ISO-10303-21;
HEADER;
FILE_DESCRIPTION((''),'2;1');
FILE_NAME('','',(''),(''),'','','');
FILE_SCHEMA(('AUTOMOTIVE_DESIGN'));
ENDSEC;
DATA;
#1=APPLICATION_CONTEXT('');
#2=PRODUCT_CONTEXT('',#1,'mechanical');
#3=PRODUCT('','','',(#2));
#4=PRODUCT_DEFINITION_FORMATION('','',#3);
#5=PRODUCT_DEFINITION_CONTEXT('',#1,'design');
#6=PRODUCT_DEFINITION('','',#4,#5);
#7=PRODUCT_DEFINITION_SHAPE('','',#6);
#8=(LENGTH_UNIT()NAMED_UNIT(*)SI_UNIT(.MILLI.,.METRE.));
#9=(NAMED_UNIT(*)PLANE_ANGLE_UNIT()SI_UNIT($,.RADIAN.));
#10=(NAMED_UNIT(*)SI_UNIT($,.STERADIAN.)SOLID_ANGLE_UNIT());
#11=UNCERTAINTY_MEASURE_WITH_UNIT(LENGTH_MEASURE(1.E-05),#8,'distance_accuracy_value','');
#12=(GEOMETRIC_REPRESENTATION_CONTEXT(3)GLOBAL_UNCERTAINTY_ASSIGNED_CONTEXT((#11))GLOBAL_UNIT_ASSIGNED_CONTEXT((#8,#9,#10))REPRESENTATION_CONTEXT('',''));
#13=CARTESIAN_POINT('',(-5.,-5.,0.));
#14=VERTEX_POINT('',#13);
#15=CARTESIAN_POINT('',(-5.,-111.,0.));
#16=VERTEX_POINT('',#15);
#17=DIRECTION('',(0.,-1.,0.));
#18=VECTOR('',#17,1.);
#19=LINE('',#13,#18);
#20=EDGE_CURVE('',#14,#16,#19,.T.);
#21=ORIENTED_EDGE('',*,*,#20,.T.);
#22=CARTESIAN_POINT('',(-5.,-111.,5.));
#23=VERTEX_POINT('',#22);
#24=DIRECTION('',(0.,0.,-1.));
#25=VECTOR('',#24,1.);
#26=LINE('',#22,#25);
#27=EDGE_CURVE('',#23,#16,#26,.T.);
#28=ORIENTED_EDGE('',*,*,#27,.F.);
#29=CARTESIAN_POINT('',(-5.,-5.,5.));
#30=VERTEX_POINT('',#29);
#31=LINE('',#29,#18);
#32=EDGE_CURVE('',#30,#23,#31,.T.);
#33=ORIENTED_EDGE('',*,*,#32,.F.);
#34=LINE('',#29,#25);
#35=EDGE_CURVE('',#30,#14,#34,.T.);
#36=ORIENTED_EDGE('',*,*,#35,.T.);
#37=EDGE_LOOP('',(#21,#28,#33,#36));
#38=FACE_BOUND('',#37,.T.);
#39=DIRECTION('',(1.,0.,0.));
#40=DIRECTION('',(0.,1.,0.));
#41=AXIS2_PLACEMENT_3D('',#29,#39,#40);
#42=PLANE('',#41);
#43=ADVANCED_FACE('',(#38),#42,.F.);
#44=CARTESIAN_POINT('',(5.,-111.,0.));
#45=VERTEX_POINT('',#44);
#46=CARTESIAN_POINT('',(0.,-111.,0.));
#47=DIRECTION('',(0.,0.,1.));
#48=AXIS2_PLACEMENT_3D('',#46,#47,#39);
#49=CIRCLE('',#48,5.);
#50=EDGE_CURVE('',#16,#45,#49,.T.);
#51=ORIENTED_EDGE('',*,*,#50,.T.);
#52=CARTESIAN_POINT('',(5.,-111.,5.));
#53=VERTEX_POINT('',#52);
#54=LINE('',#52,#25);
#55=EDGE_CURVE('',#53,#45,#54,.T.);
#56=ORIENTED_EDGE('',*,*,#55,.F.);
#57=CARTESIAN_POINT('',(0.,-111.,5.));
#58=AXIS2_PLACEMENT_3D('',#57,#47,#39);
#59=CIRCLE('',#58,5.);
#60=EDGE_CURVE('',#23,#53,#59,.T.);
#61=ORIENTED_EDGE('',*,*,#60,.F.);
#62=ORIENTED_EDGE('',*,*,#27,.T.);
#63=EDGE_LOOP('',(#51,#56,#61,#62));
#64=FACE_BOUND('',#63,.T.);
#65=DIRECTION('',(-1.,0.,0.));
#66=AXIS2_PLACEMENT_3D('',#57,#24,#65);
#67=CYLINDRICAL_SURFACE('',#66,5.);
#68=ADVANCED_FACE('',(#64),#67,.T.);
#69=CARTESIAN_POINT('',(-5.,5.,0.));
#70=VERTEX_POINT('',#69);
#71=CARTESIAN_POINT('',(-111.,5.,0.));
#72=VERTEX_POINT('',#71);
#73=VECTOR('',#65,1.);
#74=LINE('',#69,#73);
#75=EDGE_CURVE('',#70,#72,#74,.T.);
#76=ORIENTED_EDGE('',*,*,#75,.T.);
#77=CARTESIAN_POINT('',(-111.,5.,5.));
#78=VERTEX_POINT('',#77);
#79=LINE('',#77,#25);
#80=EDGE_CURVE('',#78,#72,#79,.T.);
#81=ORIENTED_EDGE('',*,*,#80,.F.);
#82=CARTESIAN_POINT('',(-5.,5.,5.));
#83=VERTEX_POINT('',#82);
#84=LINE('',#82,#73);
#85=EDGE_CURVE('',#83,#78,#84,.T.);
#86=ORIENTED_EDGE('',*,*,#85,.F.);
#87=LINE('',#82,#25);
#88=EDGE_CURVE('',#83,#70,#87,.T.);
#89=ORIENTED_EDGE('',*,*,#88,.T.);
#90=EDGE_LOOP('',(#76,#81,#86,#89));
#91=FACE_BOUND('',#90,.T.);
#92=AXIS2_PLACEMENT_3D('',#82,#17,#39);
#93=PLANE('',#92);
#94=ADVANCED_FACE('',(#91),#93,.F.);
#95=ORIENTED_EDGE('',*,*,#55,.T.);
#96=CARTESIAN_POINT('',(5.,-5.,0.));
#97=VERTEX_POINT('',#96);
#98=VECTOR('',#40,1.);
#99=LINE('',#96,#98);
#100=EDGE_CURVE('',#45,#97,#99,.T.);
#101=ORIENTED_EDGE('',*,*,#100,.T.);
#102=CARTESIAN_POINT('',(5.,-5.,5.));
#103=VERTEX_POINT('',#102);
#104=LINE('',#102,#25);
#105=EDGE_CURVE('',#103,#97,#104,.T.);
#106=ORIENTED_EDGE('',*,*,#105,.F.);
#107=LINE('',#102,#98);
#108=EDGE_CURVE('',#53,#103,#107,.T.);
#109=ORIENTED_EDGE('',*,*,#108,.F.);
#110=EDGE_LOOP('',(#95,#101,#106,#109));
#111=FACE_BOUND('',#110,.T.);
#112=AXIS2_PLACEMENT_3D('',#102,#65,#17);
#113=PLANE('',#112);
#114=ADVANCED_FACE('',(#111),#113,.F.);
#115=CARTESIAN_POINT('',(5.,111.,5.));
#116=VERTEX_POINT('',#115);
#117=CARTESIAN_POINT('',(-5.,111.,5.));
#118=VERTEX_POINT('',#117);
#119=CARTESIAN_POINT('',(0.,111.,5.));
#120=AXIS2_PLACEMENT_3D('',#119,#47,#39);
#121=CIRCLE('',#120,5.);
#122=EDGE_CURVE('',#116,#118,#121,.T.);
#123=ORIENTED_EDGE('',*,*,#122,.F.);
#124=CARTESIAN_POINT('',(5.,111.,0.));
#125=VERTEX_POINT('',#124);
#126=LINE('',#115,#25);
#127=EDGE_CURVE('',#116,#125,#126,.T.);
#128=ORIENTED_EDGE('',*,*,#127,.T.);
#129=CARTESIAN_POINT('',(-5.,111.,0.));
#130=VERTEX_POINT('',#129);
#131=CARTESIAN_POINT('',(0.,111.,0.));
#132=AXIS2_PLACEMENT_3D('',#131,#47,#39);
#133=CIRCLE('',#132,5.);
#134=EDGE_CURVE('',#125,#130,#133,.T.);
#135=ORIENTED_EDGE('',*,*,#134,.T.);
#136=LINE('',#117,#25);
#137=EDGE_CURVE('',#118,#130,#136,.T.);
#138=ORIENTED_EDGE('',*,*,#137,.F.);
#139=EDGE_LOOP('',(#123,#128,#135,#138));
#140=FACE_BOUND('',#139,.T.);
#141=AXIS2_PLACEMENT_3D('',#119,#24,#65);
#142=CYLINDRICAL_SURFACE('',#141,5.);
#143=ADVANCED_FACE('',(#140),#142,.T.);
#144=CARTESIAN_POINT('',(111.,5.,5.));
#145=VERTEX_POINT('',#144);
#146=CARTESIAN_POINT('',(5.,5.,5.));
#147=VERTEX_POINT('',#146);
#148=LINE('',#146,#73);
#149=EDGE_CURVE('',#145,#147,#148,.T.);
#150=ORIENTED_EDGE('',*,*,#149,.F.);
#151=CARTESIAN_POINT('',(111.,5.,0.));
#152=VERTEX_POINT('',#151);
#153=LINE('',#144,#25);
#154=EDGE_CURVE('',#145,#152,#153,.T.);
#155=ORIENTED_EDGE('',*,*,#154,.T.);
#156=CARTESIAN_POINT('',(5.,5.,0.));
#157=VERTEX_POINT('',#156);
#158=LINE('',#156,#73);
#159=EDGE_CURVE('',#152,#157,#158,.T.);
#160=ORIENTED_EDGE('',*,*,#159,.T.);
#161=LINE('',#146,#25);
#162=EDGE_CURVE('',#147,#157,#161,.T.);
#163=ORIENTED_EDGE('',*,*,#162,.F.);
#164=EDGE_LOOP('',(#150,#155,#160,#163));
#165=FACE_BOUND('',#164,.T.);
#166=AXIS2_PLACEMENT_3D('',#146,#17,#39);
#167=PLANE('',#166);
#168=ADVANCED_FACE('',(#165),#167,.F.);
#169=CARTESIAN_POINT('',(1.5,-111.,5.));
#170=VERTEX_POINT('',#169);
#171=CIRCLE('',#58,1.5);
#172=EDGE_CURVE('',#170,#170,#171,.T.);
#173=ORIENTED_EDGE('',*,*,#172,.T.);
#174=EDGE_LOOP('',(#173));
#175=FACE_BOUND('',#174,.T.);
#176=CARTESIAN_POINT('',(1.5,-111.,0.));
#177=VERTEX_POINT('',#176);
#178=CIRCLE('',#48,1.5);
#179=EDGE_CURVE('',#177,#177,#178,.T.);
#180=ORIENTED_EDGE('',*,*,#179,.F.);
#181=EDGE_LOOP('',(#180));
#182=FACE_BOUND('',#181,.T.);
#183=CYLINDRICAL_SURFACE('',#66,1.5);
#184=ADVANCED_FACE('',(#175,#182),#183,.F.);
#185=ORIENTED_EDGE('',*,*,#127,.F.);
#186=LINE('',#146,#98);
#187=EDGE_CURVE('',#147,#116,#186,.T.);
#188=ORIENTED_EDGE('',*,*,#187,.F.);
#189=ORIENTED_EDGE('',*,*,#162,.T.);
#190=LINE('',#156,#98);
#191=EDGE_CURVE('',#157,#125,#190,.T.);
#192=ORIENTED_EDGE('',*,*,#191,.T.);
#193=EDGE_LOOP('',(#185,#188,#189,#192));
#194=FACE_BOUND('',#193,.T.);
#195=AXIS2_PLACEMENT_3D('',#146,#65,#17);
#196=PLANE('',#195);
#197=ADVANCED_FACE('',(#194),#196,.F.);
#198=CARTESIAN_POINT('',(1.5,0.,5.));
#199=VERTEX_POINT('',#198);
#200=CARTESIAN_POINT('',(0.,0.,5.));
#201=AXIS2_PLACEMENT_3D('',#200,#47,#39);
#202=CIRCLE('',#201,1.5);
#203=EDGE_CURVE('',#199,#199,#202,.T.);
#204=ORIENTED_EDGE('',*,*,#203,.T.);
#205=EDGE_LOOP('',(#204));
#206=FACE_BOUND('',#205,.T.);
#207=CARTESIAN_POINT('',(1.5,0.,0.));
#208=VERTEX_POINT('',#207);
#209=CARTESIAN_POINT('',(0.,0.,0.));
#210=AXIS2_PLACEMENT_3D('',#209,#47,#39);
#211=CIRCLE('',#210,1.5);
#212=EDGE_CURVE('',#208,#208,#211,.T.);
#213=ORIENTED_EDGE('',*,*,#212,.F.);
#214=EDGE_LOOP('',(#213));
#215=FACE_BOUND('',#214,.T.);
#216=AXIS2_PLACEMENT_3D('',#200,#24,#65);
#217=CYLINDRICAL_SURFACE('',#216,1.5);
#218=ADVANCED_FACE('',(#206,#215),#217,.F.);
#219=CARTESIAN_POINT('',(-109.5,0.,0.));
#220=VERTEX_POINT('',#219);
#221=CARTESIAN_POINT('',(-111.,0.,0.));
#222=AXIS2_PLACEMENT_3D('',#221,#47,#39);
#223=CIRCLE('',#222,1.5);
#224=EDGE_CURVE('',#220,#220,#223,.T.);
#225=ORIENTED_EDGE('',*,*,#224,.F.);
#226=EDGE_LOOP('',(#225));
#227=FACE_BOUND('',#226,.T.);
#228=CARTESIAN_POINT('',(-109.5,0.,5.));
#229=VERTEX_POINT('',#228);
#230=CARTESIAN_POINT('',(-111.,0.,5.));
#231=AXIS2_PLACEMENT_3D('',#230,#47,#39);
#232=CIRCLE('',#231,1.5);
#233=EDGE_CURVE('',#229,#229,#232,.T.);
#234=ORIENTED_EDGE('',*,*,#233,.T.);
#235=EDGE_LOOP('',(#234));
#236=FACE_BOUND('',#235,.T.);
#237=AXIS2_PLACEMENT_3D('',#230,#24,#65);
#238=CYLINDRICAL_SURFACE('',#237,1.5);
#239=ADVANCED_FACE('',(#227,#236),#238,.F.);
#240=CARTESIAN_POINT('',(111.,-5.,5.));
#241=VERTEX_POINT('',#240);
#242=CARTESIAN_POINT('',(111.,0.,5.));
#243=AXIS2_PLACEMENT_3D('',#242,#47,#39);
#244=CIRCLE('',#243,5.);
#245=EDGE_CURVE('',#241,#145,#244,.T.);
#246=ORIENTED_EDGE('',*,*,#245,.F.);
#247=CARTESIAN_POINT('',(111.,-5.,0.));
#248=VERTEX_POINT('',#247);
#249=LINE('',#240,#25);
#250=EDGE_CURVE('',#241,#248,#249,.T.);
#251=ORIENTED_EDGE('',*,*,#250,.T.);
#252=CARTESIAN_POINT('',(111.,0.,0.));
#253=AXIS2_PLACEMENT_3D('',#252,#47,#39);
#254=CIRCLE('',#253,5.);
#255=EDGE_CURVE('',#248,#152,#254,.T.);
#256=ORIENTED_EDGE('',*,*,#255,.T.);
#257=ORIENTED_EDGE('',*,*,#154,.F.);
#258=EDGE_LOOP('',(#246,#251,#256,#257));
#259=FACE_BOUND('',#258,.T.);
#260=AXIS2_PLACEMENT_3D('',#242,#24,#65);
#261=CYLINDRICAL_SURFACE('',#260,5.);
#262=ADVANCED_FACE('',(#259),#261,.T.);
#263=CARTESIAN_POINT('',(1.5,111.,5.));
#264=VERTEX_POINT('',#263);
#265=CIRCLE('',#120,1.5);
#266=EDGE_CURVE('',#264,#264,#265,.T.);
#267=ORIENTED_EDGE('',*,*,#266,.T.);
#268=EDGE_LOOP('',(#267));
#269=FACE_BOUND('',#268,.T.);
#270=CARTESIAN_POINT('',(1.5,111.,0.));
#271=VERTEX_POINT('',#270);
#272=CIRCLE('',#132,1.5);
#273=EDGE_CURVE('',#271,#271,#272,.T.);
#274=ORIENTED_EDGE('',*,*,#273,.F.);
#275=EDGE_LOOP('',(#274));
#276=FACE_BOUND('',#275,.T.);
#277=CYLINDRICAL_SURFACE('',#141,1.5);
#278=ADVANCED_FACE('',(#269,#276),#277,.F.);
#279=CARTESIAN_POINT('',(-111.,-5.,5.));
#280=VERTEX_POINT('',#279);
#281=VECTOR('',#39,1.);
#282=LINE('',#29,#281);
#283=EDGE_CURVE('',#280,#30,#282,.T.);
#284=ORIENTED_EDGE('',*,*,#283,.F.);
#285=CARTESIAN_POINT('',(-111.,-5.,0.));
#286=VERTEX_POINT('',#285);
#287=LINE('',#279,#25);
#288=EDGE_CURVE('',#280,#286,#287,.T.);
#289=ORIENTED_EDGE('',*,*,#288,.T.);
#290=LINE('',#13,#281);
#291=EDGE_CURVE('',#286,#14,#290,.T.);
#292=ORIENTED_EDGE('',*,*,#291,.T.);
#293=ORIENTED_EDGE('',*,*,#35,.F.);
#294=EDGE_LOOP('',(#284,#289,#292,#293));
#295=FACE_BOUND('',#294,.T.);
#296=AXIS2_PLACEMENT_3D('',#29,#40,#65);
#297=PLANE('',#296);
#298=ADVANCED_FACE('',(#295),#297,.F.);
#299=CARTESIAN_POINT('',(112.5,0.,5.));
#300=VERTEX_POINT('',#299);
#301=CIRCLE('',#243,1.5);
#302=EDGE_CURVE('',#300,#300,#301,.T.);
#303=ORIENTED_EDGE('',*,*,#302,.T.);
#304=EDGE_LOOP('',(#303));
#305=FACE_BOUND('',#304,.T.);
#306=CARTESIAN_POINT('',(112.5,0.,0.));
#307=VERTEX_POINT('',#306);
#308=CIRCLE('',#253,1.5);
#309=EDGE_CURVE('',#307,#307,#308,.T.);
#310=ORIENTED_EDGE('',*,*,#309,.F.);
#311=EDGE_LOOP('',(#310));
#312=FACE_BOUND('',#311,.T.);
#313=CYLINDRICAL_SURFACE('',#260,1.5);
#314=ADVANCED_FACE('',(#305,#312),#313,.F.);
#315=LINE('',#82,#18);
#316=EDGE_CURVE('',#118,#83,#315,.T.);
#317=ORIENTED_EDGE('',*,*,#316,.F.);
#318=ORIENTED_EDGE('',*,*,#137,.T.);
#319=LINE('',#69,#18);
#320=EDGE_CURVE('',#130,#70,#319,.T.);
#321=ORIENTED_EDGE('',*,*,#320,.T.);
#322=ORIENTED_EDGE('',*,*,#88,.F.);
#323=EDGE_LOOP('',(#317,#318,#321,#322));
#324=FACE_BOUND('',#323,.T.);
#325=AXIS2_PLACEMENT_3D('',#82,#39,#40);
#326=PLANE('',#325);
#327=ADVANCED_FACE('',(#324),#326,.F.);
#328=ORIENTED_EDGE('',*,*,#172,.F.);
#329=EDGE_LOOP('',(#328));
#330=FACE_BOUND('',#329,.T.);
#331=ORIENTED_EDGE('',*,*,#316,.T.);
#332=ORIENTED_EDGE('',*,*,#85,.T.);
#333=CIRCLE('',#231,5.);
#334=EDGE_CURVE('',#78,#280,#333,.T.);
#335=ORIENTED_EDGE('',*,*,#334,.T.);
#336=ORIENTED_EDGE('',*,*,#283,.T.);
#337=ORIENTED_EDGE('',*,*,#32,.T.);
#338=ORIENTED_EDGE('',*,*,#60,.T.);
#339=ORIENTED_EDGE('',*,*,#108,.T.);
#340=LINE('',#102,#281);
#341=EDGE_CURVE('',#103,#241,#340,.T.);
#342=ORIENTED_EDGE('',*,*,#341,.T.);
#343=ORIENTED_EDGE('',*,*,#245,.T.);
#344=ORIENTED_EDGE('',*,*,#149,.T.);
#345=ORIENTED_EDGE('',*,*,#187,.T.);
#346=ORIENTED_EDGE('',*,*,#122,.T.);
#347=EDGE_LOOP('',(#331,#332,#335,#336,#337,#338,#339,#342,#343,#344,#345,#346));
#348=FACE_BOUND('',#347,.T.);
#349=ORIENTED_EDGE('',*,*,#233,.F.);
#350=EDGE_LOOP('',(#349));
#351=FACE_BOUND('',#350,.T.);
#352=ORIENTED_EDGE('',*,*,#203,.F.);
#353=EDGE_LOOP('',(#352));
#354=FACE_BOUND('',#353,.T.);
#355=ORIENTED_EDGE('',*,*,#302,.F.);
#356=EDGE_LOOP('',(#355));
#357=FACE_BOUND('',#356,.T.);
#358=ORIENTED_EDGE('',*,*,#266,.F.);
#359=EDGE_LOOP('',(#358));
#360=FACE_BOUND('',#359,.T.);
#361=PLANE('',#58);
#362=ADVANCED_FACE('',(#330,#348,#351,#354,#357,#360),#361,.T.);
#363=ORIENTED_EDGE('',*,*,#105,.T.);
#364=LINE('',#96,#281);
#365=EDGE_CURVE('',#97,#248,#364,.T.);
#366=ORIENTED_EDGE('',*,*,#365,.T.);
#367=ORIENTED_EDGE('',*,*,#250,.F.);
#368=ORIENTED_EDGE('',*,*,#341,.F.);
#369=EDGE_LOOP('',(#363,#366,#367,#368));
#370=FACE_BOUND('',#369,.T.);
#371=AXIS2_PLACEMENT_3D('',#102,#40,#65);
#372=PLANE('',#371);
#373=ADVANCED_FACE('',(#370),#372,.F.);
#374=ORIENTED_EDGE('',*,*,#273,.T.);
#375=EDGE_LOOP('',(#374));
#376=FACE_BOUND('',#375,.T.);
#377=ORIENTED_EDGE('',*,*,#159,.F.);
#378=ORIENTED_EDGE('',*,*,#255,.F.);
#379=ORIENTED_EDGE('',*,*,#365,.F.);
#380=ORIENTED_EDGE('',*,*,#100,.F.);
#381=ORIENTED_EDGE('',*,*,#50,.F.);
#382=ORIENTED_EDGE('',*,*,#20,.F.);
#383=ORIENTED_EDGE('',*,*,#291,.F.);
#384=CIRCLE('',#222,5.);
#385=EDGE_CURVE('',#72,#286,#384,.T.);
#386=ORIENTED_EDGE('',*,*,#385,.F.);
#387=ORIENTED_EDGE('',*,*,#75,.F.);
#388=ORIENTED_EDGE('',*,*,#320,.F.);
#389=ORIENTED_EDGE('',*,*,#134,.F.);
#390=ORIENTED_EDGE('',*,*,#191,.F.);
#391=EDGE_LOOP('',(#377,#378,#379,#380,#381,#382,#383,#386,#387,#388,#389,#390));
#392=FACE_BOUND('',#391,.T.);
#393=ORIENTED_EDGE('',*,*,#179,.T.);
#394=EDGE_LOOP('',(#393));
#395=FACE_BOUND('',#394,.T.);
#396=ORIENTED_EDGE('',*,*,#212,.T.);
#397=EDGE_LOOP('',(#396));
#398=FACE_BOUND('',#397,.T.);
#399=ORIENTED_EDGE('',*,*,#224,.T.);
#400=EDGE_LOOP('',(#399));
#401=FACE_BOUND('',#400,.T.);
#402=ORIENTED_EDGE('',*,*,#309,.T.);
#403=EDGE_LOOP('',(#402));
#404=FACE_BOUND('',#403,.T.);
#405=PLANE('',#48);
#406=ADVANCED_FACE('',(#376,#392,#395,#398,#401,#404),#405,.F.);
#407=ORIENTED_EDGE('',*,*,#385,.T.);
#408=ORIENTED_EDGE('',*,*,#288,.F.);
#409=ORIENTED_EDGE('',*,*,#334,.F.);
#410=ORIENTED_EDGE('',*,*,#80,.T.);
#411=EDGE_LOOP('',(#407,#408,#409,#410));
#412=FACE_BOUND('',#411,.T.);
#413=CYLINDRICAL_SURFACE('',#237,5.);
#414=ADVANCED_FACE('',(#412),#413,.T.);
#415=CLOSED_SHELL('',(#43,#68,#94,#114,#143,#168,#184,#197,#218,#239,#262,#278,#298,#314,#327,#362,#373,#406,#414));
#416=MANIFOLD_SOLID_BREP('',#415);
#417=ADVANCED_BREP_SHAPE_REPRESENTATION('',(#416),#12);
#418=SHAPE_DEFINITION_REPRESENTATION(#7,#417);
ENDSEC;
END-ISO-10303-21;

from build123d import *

# Parameters (mm, degrees)
SKETCH1_R           = 1.5
BOSS_EXTRUDE1_DEPTH = 5


with BuildPart() as part:
    # Sketch1 → Boss-Extrude1 (new body)
    with BuildSketch(Plane.XY):
        with BuildLine():
            Line((5, -5), (5, -111))
            ThreePointArc((5, -111), (0, -116), (-5, -111))
            Line((-5, -111), (-5, -5))
            Line((-5, -5), (-111, -5))
            ThreePointArc((-111, -5), (-116, 0), (-111, 5))
            Line((-111, 5), (-5, 5))
            Line((-5, 5), (-5, 111))
            ThreePointArc((-5, 111), (0, 116), (5, 111))
            Line((5, 111), (5, 5))
            Line((5, 5), (111, 5))
            ThreePointArc((111, 5), (116, 0), (111, -5))
            Line((111, -5), (5, -5))
        make_face()
        Circle(SKETCH1_R, mode=Mode.SUBTRACT)
        with Locations((0, -111)):
            Circle(SKETCH1_R, mode=Mode.SUBTRACT)
        with Locations((-111, 0)):
            Circle(SKETCH1_R, mode=Mode.SUBTRACT)
        with Locations((0, 111)):
            Circle(SKETCH1_R, mode=Mode.SUBTRACT)
        with Locations((111, 0)):
            Circle(SKETCH1_R, mode=Mode.SUBTRACT)
    extrude(amount=BOSS_EXTRUDE1_DEPTH)


solid = part.part
